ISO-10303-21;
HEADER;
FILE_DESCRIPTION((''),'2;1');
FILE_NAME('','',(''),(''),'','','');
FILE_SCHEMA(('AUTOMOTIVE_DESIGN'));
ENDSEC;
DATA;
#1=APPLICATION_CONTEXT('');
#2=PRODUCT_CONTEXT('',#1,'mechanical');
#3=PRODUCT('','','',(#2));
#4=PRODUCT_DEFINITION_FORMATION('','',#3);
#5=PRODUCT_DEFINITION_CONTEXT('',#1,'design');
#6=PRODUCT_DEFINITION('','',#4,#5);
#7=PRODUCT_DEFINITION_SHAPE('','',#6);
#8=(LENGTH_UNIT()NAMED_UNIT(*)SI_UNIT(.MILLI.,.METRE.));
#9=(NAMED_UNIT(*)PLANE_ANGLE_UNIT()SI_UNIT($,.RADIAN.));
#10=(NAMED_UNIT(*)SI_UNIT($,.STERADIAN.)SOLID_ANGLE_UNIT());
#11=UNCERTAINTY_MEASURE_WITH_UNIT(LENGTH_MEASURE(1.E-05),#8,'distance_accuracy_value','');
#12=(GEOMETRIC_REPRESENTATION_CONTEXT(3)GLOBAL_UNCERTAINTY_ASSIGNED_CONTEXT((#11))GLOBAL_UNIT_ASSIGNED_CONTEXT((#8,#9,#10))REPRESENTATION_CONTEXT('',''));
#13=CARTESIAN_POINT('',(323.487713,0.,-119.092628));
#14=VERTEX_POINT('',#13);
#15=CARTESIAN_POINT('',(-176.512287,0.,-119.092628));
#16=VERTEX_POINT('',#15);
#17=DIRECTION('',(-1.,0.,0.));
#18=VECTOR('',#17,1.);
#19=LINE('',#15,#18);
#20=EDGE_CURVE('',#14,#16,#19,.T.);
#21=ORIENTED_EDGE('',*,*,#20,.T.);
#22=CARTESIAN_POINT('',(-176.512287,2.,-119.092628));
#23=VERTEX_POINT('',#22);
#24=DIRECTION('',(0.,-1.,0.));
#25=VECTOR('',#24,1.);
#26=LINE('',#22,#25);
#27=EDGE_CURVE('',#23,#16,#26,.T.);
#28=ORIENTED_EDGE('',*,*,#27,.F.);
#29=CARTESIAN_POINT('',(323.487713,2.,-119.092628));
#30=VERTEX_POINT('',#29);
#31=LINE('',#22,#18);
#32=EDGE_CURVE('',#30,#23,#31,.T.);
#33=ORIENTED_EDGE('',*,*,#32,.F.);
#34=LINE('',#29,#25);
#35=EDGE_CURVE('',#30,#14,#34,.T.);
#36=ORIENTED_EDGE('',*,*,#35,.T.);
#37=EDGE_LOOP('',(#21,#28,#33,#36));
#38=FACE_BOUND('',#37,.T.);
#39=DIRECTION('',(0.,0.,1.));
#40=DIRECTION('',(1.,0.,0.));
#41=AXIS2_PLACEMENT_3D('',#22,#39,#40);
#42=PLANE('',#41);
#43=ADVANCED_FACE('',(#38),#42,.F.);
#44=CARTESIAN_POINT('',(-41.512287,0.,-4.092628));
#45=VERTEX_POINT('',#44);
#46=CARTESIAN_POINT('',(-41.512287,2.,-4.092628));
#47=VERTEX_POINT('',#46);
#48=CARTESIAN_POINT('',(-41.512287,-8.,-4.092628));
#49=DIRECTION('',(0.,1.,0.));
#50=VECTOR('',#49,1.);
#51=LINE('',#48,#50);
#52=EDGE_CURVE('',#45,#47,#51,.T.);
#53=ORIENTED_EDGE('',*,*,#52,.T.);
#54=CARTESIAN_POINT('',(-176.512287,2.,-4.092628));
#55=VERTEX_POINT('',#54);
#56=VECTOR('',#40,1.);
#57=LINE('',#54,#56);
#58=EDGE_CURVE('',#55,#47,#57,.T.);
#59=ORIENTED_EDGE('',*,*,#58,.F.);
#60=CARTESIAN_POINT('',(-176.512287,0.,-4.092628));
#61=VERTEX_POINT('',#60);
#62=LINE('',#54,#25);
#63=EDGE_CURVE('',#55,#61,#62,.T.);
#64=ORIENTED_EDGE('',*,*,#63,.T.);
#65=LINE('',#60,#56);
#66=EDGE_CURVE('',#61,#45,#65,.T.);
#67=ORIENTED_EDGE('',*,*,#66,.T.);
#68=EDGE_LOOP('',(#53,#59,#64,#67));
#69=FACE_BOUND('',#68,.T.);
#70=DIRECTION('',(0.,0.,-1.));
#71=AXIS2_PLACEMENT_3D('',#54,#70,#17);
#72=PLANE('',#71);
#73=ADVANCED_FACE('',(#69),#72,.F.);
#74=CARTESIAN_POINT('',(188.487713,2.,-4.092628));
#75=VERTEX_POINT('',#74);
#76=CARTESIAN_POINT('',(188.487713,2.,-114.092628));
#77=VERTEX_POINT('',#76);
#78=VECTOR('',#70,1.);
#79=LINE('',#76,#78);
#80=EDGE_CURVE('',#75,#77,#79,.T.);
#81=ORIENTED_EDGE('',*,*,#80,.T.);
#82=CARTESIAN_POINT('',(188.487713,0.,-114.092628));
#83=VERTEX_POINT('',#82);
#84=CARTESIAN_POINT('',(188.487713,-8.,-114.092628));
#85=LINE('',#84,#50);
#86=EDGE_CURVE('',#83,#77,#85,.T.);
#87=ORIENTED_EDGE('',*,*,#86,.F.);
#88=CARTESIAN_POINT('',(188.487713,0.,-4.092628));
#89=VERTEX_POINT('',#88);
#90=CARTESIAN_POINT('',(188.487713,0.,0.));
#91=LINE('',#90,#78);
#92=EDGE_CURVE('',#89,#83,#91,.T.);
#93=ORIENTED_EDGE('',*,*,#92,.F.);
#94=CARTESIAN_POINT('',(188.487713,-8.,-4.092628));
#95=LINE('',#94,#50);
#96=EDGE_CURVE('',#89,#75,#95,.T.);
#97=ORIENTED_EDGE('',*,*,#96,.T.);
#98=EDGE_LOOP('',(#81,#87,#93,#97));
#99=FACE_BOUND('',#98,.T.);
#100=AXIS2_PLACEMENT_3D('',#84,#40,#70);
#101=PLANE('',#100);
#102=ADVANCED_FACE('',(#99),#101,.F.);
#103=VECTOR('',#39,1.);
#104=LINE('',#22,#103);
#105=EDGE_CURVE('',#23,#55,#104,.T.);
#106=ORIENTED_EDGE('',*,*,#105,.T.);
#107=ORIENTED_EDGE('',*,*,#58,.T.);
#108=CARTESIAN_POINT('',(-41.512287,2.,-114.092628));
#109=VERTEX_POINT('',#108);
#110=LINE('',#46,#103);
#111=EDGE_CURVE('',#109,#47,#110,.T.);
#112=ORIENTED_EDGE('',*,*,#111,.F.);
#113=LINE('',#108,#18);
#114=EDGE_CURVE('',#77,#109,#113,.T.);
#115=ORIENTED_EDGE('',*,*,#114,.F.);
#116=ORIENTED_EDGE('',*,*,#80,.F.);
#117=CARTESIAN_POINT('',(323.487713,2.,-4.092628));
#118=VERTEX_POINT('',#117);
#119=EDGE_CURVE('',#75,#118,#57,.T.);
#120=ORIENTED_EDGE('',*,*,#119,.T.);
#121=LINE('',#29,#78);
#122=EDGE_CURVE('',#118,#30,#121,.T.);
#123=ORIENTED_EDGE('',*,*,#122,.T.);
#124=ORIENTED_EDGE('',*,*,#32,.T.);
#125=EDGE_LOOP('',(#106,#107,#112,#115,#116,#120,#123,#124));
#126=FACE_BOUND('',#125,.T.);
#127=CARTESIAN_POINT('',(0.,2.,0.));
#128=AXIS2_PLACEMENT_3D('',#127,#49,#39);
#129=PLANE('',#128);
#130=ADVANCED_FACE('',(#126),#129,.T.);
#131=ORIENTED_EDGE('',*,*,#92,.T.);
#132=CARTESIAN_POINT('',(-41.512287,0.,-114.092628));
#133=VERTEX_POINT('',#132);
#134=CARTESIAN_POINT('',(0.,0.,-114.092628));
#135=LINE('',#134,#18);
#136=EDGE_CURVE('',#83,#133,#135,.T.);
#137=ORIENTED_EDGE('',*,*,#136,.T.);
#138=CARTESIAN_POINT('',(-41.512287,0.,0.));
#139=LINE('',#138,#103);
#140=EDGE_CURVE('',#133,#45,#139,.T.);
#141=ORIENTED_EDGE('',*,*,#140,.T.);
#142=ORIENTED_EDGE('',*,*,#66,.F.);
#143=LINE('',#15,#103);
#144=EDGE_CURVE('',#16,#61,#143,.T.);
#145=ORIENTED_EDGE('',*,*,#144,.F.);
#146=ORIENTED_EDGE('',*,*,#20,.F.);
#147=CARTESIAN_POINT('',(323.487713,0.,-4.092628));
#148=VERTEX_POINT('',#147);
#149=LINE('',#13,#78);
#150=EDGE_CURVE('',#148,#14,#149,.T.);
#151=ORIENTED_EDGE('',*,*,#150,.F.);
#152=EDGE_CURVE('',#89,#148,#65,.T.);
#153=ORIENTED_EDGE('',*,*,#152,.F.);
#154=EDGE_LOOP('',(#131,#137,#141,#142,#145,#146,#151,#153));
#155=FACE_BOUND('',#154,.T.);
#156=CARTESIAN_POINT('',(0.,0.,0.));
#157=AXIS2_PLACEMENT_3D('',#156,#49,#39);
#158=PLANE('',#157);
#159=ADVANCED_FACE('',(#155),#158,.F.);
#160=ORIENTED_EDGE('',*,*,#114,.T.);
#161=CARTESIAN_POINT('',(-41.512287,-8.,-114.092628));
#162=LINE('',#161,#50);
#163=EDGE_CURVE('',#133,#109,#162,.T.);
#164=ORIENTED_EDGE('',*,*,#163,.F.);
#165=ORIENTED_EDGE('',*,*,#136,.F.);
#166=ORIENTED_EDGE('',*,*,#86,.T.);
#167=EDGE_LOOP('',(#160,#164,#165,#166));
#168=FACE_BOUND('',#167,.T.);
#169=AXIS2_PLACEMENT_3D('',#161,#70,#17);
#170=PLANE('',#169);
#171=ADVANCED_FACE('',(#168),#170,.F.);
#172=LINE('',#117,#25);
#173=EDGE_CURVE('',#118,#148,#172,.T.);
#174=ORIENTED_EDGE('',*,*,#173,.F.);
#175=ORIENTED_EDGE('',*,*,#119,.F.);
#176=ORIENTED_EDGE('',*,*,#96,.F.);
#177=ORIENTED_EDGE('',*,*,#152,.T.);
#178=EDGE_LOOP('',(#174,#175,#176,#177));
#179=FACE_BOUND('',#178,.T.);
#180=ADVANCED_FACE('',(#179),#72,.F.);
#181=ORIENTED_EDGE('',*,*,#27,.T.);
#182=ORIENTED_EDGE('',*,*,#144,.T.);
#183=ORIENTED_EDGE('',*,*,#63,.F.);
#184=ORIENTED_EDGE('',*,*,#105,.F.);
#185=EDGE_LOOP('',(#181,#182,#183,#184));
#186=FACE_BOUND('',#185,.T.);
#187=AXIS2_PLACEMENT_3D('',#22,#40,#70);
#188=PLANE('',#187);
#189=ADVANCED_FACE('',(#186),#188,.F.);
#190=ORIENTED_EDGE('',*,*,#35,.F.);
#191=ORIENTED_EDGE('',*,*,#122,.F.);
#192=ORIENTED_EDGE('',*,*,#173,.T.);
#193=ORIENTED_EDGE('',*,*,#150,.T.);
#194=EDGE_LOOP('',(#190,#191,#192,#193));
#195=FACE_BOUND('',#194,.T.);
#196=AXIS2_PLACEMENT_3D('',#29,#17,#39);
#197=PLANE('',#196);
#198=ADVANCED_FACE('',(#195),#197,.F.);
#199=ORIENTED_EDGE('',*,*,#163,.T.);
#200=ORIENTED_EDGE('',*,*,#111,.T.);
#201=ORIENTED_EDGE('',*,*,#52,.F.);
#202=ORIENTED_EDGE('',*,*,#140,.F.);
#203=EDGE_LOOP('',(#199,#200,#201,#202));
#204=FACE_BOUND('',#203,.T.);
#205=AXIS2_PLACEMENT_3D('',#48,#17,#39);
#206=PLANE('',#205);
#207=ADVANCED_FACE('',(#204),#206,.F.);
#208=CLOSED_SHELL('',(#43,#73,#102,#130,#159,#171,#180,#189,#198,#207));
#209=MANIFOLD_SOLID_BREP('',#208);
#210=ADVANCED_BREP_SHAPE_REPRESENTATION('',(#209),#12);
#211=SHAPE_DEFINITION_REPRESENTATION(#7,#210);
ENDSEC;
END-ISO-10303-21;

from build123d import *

# Parameters (mm, degrees)
SKETCH1_W           = 500
SKETCH1_H           = 115
BOSS_EXTRUDE1_DEPTH = 2
SKETCH2_W           = 230
SKETCH2_H           = 110
CUT_EXTRUDE1_DEPTH  = 10


with BuildPart() as part:
    # Sketch1 → Boss-Extrude1 (new body)
    with BuildSketch(Plane(origin=(0, 0, 0), x_dir=(1, 0, 0), z_dir=(0, 1, 0))):
        with Locations((73.487712665, 61.592627599)):
            Rectangle(SKETCH1_W, SKETCH1_H)
    extrude(amount=BOSS_EXTRUDE1_DEPTH)

    # Sketch2 → Cut-Extrude1 (cut)
    with BuildSketch(Plane(origin=(0, 2, 0), x_dir=(1, 0, 0), z_dir=(0, 1, 0))):
        with Locations((73.487712665, 59.092627599)):
            Rectangle(SKETCH2_W, SKETCH2_H)
    extrude(amount=-CUT_EXTRUDE1_DEPTH, mode=Mode.SUBTRACT)


solid = part.part
